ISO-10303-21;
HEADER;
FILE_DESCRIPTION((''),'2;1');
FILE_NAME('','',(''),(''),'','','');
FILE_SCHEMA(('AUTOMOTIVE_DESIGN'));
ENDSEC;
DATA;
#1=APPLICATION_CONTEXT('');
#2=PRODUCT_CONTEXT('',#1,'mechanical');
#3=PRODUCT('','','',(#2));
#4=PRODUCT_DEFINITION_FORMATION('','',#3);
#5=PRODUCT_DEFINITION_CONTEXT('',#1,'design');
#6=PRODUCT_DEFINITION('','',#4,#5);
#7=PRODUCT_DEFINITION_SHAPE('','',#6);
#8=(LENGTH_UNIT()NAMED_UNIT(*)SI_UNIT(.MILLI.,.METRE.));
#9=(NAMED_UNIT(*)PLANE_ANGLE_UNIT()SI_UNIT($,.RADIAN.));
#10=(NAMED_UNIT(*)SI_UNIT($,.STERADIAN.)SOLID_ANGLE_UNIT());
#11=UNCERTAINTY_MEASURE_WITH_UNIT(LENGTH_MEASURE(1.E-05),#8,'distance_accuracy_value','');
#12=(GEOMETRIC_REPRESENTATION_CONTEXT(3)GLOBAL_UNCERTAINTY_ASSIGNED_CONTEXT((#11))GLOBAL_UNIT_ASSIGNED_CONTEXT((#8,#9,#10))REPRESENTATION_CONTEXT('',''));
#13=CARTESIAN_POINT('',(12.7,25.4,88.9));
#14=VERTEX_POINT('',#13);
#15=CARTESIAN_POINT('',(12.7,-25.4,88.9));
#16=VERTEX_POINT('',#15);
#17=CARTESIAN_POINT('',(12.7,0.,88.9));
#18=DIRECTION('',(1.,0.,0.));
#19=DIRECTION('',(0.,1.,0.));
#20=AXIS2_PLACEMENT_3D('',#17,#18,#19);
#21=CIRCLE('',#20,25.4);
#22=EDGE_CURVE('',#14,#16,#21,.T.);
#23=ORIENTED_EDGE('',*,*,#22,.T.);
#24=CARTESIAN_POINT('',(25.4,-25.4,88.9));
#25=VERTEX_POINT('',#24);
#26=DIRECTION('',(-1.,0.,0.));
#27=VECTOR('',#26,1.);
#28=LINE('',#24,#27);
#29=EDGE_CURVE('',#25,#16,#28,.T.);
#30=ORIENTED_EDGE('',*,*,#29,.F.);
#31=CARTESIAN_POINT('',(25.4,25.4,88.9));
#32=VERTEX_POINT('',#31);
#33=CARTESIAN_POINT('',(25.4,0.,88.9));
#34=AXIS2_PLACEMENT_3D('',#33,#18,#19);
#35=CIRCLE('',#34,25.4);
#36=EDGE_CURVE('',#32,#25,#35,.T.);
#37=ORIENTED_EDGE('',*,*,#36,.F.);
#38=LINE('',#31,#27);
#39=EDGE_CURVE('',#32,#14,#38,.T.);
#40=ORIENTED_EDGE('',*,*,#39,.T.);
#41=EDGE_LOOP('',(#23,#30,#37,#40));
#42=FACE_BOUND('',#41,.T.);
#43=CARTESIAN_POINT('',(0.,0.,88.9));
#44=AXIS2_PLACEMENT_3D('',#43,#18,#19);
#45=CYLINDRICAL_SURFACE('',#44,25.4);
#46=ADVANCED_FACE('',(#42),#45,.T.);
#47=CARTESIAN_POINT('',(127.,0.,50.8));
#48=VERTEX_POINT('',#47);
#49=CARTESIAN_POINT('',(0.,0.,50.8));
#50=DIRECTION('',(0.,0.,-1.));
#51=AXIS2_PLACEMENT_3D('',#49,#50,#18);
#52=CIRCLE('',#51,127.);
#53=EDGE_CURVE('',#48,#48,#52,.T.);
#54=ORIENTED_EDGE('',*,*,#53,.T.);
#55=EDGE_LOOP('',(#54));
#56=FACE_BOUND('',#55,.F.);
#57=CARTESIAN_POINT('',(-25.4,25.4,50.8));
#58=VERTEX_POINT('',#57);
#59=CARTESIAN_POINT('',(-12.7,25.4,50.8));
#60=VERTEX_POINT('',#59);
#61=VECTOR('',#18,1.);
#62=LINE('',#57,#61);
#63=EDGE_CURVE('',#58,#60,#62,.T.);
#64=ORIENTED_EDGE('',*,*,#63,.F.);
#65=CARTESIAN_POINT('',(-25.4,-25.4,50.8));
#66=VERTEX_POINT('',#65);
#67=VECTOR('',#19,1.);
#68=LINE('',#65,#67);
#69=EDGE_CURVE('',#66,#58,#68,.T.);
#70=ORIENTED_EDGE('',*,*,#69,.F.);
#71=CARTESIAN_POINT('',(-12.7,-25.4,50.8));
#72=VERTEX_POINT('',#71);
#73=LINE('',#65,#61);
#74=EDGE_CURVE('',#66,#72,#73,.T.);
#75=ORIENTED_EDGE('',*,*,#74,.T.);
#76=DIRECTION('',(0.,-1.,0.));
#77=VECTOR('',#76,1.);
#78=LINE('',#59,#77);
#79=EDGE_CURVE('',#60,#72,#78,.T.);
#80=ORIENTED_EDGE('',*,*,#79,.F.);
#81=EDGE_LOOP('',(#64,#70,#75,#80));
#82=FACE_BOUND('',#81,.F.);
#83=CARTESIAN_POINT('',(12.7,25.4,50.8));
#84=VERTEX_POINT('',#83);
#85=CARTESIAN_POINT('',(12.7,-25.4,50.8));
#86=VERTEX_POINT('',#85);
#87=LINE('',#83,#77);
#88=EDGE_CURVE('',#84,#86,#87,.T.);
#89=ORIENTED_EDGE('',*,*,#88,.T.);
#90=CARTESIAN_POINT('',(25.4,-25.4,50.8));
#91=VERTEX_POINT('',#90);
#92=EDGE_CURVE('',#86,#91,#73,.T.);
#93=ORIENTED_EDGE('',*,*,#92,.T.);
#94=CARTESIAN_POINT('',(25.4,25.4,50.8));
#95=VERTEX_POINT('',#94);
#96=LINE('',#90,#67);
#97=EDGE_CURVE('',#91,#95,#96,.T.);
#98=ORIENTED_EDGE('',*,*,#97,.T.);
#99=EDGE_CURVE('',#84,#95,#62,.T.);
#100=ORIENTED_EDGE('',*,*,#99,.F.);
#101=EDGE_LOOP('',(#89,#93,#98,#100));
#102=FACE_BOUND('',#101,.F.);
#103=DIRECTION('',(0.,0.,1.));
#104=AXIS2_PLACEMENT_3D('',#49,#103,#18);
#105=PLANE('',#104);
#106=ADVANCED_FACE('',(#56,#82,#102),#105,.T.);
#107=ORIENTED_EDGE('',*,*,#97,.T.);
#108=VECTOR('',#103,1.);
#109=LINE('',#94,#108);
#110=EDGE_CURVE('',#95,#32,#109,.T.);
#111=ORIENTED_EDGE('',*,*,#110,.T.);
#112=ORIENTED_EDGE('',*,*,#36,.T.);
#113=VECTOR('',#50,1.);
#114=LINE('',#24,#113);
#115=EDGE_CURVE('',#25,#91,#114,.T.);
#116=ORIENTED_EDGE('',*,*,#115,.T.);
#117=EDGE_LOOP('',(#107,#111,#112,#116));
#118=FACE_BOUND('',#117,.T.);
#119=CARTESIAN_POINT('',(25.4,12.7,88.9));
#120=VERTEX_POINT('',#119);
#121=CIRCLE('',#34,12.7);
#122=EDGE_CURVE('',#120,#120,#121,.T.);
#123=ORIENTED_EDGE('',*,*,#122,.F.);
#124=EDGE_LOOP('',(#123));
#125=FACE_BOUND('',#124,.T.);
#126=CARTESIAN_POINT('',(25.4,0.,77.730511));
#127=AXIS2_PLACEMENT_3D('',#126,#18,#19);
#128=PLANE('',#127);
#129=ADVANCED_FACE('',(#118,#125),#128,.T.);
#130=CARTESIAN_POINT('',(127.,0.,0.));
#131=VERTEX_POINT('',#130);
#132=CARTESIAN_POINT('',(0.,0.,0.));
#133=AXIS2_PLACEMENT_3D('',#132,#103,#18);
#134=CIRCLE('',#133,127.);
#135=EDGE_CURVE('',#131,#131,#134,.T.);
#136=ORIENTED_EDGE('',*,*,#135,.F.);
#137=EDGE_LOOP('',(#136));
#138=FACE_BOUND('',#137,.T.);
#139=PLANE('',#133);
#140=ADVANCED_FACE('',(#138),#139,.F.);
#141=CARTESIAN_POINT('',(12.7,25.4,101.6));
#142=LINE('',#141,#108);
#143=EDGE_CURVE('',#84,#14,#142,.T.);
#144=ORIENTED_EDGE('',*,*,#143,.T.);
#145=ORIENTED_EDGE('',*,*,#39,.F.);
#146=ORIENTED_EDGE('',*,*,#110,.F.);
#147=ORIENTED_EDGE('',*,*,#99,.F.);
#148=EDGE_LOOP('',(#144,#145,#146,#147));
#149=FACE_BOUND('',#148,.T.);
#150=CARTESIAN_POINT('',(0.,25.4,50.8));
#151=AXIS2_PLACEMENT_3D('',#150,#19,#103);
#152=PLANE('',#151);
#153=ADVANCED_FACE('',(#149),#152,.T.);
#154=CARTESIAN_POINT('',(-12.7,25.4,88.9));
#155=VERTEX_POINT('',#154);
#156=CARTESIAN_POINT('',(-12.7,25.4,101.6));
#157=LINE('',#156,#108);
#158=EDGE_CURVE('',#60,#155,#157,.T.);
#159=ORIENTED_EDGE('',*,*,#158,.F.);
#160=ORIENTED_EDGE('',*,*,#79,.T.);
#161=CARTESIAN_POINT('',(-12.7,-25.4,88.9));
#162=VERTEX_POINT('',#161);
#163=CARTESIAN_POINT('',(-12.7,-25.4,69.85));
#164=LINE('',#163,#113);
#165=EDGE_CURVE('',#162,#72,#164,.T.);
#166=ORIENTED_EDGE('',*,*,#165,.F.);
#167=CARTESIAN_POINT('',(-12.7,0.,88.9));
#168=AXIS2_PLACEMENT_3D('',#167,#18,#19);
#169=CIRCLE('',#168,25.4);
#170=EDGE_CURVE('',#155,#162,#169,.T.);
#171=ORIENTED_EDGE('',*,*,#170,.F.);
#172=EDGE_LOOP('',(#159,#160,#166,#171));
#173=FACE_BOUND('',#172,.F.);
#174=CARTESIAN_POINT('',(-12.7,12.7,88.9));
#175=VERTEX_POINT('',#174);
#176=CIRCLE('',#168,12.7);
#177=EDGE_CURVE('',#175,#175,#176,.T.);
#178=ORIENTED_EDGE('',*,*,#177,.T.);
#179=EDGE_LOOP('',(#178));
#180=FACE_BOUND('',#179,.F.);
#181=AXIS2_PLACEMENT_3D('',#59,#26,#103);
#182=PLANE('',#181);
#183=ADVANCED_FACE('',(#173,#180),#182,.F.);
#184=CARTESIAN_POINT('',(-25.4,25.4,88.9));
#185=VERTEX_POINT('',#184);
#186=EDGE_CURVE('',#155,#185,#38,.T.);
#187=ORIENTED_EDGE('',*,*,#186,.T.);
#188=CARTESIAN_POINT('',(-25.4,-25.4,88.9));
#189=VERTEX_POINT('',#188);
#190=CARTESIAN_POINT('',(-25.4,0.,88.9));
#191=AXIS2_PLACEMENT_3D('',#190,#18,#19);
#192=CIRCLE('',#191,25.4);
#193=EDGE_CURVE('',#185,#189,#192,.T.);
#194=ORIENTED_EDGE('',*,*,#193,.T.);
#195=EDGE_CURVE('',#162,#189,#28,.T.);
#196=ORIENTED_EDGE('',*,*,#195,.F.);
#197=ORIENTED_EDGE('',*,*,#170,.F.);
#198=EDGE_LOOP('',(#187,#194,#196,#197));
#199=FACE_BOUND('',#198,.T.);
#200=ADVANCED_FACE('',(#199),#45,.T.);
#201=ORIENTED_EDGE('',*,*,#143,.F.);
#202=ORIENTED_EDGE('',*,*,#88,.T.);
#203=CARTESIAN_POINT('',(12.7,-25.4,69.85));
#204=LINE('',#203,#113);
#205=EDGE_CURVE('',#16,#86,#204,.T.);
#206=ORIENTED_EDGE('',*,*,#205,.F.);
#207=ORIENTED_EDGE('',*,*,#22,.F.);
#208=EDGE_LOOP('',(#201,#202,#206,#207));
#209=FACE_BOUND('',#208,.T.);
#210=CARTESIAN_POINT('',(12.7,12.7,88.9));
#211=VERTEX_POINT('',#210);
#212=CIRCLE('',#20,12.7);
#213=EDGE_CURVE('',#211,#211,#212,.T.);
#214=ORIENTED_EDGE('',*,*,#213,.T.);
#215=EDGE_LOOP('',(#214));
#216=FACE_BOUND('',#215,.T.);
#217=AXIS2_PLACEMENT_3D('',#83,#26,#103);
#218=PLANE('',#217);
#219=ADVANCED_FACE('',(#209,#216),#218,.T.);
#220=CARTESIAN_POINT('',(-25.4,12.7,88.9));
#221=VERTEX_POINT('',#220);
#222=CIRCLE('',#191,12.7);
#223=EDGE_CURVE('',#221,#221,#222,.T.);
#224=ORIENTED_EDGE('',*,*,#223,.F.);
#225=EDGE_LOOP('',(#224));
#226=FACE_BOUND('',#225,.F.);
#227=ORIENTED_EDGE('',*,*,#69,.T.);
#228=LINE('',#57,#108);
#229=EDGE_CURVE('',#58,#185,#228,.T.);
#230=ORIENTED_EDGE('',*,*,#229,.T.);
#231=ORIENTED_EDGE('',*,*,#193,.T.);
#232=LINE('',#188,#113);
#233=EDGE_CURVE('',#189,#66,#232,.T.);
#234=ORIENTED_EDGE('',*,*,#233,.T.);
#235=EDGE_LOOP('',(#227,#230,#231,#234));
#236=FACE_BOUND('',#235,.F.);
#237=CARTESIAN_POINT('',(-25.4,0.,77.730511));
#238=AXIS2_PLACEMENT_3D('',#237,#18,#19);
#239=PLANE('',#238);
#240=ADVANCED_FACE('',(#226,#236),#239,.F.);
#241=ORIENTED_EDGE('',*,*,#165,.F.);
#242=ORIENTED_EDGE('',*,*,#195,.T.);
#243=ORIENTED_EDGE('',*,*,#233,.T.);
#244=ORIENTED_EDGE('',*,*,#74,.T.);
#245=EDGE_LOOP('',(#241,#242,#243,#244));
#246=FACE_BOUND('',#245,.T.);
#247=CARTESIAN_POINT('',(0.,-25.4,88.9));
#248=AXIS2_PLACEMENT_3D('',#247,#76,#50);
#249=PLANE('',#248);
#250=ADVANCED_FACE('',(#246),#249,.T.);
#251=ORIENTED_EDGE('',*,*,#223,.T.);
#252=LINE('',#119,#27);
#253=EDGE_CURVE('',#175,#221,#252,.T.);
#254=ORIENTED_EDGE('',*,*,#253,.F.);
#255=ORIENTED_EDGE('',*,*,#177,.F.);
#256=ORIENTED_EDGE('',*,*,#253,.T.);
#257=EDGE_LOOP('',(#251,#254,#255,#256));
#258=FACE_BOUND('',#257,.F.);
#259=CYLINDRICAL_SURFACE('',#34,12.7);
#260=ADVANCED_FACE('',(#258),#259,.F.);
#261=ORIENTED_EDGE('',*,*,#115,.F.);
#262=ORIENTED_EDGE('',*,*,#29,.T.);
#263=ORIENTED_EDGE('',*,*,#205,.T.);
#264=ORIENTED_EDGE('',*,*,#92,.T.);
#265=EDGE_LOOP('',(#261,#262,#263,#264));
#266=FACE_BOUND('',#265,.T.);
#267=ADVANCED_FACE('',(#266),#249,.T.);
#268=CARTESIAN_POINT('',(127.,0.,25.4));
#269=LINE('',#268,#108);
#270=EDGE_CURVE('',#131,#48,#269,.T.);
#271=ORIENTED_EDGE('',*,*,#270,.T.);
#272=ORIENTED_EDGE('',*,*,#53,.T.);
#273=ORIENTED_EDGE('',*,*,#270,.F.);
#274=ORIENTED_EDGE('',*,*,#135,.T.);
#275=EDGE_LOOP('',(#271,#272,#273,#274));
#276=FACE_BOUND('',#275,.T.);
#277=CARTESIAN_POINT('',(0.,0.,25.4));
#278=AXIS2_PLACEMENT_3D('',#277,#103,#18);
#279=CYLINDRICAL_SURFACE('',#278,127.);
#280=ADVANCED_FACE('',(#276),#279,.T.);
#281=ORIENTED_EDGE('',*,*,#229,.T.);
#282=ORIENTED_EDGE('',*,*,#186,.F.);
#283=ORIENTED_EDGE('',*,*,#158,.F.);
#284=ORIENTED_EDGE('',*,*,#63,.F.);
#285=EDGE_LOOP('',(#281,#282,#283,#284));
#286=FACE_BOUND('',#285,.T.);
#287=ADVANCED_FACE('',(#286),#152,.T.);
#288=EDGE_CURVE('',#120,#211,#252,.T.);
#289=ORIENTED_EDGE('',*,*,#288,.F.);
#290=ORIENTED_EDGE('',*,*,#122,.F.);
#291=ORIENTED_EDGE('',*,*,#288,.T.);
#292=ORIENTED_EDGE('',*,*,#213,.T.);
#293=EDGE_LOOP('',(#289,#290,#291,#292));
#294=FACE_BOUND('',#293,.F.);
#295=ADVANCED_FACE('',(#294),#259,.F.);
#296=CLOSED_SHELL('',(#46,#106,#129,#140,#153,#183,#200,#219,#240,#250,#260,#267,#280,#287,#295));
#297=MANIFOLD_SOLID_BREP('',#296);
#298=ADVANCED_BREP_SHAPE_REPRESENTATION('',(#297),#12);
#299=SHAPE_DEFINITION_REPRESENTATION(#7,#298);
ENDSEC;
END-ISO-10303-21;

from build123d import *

# Parameters (mm, degrees)
F0_W     = 127
F0_H     = 50.8
F3_DEPTH = 25.4
F4_W     = 25.4
F4_H     = 101.6
F5_DEPTH = 152.401
F6_R     = 12.7
F7_DEPTH = 152.401


with BuildPart() as f1:
    # F0 (on Front) → F1 (revolve)
    with BuildSketch(Plane.XZ):
        with Locations((63.5, 25.4)):
            Rectangle(F0_W, F0_H)
    revolve(axis=Axis((0, 0, 25.4), (0, 0, 1)))

    # F2 (on Right) → F3 (join, symmetric)
    with BuildSketch(Plane.YZ):
        with BuildLine():
            Line((-25.4, 88.9), (-25.4, 50.8))
            Line((-25.4, 50.8), (25.4, 50.8))
            Line((25.4, 50.8), (25.4, 88.9))
            ThreePointArc((25.4, 88.9), (0, 114.3), (-25.4, 88.9))
        make_face()
    extrude(amount=F3_DEPTH, both=True)

    # F4 (on face) → F5 (cut, through all)
    with BuildSketch(Plane(origin=(0, 25.4, 0), x_dir=(-1, 0, 0), z_dir=(0, 1, 0))):
        with Locations((0, 101.6)):
            Rectangle(F4_W, F4_H)
    extrude(amount=-F5_DEPTH, mode=Mode.SUBTRACT)

    # F6 (on face) → F7 (cut, through all)
    with BuildSketch(Plane.YZ.offset(25.4)):
        with Locations((0, 88.9)):
            Circle(F6_R)
    extrude(amount=-F7_DEPTH, mode=Mode.SUBTRACT)


solid = f1.part
